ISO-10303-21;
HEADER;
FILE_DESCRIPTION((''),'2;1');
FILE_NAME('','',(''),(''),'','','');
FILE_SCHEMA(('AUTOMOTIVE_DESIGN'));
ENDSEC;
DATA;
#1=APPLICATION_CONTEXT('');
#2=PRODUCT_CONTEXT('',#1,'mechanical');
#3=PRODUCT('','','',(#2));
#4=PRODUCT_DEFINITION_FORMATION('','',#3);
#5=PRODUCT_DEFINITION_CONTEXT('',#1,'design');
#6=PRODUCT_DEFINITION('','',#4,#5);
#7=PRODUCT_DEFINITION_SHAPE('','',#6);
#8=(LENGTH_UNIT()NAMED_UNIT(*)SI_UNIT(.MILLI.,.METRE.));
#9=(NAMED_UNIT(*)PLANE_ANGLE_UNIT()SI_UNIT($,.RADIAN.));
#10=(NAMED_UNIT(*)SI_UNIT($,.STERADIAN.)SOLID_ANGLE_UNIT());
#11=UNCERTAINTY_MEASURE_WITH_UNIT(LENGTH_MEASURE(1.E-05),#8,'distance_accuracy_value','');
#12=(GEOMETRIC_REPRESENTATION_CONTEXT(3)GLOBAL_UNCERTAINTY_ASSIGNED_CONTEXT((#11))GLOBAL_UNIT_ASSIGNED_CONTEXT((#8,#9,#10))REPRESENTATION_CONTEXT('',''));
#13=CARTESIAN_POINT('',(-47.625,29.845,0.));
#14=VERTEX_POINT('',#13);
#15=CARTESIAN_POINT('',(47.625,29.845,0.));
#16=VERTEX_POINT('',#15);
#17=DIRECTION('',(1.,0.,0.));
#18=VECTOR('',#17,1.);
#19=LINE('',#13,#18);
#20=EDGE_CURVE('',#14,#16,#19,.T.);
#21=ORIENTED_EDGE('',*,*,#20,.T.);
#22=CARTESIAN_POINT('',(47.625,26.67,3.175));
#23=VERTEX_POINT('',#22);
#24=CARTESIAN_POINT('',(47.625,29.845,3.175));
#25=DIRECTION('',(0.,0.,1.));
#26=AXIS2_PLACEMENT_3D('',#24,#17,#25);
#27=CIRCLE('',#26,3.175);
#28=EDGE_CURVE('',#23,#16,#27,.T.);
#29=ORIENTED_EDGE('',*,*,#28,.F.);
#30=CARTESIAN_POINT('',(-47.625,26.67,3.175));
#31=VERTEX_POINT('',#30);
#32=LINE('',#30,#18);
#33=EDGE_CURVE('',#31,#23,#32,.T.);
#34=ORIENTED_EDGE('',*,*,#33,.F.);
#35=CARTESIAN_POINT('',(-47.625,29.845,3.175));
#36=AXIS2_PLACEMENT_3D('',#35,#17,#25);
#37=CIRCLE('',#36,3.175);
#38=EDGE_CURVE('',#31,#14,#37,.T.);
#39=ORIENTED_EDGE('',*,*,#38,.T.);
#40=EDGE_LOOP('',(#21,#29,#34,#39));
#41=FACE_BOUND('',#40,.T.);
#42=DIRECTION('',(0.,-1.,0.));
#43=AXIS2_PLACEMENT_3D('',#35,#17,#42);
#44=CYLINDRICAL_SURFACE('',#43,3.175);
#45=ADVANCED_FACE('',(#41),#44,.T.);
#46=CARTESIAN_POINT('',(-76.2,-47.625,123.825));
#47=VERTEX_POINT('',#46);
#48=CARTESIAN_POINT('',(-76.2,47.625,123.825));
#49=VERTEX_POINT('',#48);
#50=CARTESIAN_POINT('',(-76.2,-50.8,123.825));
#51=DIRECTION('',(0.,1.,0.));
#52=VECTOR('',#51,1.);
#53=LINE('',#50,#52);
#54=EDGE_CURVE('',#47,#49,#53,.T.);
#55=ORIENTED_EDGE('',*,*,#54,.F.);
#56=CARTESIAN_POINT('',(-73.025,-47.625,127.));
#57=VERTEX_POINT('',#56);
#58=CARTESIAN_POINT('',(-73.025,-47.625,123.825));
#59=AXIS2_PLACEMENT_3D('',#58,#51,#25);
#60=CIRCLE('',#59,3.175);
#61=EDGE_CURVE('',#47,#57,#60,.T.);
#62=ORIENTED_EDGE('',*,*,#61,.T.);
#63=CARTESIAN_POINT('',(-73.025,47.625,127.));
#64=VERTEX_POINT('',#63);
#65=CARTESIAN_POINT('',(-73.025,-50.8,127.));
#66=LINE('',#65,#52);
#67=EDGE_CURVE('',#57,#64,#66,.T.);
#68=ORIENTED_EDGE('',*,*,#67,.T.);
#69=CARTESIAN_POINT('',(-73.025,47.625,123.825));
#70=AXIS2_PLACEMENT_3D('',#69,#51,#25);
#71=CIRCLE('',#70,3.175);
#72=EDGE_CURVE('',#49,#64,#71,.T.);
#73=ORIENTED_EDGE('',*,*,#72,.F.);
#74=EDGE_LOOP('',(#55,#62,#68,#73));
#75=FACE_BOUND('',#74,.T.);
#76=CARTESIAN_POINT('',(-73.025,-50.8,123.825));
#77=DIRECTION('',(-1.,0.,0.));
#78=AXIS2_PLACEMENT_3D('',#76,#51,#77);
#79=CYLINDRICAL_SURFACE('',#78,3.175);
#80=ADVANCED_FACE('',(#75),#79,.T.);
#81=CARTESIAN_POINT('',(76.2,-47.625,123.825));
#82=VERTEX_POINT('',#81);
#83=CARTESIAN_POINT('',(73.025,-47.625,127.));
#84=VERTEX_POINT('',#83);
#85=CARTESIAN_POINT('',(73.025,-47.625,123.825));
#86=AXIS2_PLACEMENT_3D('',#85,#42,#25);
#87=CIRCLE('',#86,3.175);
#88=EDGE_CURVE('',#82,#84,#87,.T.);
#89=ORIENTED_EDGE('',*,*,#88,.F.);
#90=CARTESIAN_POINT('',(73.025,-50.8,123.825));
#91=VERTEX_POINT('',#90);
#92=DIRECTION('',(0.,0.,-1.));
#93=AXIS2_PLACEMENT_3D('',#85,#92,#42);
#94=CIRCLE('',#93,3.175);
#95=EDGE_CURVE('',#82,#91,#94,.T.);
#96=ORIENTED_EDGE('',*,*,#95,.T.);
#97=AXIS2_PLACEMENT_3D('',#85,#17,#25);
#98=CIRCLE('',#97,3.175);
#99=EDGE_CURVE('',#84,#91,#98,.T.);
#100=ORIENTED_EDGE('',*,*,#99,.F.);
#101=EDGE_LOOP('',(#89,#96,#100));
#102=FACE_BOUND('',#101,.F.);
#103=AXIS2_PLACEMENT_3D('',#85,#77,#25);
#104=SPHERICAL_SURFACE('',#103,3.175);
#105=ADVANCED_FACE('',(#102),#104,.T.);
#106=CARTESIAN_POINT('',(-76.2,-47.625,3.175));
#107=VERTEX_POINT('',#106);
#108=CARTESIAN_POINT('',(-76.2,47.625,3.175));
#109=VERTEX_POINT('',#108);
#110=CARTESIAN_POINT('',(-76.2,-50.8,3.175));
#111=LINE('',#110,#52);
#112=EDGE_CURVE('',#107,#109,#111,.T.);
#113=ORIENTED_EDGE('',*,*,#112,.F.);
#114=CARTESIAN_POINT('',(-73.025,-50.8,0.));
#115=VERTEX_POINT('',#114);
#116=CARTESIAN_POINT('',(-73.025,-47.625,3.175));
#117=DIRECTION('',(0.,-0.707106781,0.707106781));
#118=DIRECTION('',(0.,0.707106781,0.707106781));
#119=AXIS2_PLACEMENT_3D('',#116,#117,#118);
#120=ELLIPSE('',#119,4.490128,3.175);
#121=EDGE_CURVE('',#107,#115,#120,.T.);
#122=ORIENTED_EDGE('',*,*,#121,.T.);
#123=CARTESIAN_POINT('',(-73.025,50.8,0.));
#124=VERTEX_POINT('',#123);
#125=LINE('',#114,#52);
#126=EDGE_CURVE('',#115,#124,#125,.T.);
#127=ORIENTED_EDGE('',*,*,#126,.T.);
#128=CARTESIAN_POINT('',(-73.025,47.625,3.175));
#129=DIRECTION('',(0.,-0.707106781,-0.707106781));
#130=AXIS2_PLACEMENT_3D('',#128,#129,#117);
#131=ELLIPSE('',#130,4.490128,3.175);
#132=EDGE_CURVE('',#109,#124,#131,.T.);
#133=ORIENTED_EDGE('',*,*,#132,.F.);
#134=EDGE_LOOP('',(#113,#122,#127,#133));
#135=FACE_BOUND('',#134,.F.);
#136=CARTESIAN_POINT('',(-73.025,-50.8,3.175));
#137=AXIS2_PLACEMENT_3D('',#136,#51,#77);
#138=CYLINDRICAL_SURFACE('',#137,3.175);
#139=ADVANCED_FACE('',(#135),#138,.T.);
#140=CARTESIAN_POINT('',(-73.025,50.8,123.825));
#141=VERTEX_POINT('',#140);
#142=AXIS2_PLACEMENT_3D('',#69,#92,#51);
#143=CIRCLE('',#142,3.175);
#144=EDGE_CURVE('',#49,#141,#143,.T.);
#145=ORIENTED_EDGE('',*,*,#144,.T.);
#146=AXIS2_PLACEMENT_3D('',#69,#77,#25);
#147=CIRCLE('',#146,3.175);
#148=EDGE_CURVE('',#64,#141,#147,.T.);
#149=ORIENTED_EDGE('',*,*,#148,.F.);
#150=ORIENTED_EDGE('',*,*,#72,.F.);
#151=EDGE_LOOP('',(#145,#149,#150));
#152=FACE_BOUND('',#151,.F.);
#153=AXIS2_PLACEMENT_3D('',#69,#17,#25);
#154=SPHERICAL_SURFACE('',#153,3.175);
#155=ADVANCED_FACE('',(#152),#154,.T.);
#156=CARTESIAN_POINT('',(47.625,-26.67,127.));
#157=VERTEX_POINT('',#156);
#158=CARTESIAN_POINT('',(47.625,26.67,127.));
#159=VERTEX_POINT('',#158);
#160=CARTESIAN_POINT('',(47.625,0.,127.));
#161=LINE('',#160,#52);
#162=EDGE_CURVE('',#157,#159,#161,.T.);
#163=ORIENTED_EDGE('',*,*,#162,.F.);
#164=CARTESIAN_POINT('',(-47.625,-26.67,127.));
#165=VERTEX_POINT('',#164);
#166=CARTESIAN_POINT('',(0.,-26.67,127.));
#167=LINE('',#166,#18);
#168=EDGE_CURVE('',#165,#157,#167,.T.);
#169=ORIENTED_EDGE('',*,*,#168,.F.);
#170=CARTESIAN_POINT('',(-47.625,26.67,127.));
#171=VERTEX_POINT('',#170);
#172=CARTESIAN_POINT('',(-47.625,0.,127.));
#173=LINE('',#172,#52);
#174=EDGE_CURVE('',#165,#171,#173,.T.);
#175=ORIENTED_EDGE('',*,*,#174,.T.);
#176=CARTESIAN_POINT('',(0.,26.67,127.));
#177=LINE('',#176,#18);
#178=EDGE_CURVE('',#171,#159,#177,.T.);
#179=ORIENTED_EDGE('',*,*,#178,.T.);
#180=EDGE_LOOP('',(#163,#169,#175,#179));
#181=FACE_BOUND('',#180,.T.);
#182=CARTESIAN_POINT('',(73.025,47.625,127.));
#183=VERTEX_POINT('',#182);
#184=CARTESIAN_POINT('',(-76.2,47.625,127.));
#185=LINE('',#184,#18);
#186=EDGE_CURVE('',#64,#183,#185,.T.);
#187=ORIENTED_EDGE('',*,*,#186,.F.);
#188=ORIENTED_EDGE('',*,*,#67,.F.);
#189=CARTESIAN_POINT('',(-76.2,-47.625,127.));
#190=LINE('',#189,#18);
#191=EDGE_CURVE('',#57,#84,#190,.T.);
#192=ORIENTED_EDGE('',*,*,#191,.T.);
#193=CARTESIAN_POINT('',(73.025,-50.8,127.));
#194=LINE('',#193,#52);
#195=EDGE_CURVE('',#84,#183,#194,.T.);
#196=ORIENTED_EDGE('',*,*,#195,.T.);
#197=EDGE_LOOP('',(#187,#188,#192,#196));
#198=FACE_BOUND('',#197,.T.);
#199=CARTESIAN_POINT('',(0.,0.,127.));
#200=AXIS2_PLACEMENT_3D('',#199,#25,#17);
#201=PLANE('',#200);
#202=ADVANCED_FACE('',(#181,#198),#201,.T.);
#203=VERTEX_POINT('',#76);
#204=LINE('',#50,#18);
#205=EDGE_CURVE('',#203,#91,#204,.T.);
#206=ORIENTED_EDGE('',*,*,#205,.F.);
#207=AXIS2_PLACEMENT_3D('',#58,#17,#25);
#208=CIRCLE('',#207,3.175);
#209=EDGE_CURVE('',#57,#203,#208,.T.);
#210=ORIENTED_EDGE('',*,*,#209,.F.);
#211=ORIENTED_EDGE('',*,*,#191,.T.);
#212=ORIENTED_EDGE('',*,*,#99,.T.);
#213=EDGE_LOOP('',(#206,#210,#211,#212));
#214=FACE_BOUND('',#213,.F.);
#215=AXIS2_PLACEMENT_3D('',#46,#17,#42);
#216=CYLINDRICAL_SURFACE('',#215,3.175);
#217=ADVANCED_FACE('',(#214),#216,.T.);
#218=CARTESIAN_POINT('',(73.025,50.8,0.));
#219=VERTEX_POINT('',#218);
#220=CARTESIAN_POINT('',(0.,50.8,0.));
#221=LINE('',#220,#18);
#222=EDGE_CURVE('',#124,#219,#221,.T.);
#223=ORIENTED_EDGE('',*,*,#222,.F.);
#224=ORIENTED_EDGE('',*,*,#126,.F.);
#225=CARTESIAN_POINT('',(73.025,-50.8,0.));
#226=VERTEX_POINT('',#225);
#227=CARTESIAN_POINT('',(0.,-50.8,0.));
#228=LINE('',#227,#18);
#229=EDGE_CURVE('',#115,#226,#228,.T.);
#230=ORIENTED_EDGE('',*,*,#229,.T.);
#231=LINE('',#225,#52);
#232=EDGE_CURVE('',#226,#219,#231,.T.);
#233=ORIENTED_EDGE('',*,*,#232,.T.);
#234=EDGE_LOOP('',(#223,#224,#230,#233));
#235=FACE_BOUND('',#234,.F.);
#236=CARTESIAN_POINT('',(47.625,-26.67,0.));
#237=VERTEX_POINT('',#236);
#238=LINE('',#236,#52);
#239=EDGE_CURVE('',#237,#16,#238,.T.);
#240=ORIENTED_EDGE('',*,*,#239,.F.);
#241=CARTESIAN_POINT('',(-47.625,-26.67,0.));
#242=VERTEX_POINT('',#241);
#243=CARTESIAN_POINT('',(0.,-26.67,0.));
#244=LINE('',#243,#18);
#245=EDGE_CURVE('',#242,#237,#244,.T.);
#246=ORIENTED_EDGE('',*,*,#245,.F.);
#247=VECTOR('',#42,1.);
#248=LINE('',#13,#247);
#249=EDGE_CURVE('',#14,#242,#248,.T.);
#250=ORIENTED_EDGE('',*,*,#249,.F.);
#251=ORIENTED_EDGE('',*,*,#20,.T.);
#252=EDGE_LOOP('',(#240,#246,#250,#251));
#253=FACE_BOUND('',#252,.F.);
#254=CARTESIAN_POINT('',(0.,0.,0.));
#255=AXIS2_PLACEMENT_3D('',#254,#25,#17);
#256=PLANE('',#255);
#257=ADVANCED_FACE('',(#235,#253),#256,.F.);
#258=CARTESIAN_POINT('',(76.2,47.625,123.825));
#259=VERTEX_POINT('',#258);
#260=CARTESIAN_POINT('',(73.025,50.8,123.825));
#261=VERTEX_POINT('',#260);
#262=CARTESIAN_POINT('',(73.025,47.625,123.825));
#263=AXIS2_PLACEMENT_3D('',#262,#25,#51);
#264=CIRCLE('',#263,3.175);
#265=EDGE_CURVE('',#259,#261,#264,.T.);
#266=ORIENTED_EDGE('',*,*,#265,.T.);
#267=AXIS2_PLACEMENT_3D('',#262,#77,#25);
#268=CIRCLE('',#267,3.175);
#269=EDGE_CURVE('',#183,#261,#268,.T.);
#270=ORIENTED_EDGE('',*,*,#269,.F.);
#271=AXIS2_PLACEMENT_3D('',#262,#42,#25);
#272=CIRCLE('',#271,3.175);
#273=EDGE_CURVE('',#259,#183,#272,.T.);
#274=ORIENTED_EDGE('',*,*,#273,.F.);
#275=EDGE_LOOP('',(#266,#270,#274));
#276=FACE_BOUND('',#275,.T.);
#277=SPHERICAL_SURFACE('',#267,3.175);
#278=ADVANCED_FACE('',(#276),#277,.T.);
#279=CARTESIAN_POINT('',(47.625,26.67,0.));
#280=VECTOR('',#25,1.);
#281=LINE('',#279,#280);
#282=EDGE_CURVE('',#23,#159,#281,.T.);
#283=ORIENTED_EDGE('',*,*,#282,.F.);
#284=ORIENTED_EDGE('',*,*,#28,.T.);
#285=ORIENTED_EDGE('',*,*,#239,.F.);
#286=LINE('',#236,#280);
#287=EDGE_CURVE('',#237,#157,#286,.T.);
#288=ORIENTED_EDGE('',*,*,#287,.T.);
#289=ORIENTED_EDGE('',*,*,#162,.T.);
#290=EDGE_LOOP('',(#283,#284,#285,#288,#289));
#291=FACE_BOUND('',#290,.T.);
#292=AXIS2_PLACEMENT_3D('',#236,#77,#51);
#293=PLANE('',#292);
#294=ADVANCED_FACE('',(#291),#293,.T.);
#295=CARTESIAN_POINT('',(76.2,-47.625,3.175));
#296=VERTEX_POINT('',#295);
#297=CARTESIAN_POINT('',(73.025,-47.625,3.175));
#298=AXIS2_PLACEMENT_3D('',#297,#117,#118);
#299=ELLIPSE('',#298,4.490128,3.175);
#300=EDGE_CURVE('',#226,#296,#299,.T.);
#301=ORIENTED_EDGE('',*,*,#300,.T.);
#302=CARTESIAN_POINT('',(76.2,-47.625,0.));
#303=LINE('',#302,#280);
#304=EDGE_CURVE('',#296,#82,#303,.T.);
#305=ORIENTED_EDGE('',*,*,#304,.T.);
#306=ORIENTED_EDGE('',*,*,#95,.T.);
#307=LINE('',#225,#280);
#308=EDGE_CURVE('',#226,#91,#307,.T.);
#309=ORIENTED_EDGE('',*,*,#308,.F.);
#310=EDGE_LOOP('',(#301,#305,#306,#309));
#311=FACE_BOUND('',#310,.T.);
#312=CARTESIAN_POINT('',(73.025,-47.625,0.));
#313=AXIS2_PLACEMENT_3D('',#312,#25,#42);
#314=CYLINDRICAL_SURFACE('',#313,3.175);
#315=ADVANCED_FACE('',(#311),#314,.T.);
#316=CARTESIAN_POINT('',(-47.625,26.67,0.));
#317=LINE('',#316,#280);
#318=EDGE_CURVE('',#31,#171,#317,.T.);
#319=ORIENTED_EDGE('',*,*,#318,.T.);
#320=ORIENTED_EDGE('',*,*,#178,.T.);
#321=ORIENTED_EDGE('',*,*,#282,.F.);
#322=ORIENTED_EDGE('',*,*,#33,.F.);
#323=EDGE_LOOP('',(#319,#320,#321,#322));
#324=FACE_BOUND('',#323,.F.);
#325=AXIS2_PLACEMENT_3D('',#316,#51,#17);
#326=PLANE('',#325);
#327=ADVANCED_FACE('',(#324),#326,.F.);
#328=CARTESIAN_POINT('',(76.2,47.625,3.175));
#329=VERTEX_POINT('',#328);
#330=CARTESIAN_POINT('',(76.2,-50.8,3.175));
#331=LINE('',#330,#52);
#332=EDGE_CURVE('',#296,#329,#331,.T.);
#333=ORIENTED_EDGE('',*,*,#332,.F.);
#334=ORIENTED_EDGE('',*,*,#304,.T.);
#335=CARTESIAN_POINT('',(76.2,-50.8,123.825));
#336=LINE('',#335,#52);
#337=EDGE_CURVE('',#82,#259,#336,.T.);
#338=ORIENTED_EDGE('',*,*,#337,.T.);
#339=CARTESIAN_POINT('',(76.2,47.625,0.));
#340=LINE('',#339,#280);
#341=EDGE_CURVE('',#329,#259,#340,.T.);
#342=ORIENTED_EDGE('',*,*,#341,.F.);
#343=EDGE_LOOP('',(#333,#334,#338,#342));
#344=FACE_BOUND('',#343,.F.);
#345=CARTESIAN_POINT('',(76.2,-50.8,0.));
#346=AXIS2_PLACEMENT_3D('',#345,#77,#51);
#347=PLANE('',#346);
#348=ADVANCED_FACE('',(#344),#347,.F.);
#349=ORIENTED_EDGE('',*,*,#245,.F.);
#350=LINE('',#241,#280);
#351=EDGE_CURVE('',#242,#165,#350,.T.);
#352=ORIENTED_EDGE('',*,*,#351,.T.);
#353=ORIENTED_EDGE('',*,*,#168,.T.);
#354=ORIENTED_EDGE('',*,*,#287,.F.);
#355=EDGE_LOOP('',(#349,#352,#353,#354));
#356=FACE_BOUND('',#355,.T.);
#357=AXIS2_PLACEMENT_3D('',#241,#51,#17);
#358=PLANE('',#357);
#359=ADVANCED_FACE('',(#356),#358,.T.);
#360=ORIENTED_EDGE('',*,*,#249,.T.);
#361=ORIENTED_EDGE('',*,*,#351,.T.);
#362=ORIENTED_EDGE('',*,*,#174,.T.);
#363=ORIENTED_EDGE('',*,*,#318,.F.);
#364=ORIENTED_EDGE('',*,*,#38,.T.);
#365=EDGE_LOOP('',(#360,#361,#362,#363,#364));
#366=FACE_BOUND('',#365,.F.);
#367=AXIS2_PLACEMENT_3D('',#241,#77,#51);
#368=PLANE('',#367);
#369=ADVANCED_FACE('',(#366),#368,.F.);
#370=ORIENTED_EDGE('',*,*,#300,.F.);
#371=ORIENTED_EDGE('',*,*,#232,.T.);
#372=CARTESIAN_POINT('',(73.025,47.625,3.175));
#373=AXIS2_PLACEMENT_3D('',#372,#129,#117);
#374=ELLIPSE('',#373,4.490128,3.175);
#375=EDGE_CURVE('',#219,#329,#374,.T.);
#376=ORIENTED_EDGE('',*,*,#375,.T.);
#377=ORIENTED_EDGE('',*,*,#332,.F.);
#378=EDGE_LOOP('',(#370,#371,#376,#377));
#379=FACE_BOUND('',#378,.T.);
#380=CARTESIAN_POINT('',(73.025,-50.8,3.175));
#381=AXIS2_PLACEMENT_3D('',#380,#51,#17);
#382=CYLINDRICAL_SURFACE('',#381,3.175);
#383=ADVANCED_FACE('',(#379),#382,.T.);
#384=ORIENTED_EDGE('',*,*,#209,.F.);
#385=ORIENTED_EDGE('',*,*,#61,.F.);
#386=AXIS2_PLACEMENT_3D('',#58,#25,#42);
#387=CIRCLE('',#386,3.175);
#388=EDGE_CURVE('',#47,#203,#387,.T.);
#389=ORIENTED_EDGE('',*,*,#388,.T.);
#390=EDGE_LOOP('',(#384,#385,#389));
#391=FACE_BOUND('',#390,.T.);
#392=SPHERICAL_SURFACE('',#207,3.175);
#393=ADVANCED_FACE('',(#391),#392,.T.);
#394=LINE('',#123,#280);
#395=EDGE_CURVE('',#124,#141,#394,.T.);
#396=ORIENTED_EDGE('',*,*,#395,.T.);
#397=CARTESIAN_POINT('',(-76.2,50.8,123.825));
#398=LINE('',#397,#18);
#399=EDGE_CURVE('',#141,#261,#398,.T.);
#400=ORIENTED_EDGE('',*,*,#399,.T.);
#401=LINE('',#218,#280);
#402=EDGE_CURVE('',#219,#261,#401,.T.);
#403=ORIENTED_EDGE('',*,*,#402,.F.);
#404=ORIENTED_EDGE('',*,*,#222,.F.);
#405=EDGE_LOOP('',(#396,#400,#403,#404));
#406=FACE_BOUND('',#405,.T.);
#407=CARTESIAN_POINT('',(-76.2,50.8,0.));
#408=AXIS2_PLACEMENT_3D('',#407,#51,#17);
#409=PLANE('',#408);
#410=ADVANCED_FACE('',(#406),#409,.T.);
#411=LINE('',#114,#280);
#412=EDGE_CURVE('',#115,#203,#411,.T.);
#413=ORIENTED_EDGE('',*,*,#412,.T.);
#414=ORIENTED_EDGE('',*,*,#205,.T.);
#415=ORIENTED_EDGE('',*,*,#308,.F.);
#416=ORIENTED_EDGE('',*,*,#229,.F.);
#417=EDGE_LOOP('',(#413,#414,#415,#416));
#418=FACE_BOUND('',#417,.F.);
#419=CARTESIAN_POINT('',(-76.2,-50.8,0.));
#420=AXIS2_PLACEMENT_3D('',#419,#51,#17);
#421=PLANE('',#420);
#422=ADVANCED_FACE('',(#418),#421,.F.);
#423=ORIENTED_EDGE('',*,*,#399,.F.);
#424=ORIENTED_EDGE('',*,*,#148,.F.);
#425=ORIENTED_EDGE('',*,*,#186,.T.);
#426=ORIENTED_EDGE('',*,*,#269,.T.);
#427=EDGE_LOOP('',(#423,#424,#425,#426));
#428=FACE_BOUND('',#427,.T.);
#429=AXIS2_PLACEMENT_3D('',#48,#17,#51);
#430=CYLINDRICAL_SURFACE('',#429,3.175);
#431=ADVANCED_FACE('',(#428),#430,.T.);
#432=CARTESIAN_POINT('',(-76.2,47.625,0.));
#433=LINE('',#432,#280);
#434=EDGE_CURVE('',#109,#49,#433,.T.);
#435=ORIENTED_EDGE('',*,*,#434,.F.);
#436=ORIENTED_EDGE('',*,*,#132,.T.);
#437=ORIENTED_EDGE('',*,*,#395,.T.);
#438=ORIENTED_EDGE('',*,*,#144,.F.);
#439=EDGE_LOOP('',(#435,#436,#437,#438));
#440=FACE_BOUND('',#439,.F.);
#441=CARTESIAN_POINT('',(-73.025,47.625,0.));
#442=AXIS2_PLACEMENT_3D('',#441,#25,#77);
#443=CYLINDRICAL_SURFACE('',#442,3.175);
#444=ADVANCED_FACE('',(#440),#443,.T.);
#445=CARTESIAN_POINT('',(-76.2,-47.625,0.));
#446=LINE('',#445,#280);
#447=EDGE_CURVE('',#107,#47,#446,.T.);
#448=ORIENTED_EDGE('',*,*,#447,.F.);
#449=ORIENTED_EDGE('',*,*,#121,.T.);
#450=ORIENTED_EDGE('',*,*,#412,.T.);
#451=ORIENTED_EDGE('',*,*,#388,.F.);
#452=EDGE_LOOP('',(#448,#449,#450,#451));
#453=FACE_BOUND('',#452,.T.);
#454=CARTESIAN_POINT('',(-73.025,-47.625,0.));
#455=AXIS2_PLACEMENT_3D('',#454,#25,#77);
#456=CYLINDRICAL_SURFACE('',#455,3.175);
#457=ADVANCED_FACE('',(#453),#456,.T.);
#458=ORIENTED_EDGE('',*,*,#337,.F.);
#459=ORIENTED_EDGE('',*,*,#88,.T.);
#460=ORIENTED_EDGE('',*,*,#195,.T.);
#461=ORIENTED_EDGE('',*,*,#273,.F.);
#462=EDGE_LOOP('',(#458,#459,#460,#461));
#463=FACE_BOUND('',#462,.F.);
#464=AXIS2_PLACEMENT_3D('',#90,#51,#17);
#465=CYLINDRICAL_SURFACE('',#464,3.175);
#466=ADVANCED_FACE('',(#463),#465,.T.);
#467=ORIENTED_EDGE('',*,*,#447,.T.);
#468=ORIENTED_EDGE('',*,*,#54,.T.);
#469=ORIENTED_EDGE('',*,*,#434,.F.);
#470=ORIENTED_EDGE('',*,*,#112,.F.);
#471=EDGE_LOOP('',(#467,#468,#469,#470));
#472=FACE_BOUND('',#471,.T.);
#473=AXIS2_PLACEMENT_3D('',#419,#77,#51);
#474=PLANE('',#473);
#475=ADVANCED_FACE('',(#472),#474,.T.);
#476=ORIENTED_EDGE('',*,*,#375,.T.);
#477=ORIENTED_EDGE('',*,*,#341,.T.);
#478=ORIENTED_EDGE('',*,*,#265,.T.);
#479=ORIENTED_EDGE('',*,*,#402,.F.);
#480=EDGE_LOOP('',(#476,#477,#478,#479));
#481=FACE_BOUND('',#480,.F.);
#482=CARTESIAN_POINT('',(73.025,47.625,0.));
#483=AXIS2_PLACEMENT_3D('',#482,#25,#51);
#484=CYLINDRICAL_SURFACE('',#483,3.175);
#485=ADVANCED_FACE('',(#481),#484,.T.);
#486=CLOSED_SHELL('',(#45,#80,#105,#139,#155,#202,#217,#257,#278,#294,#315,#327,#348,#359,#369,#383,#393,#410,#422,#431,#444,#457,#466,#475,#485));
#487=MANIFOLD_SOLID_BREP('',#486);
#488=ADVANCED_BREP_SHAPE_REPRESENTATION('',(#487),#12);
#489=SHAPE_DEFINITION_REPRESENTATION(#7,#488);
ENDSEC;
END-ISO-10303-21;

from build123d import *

# Parameters (mm, degrees)
F0_W     = 152.4
F0_H     = 101.6
F0_W_2   = 95.25
F0_H_2   = 53.34
F1_DEPTH = 127
F2_R     = 3.175


with BuildPart() as f1:
    # F0 (on Top) → F1 (new body)
    with BuildSketch(Plane.XY):
        Rectangle(F0_W, F0_H)
        Rectangle(F0_W_2, F0_H_2, mode=Mode.SUBTRACT)
    extrude(amount=F1_DEPTH)

    # F2
    f2_edges = [f1.edges().sort_by_distance(p)[0] for p in [
        (0, 50.8, 127),
        (0, -50.8, 127),
        (-76.2, 0, 127),
        (76.2, 0, 127),
        (76.2, 50.8, 63.5),
        (76.2, -50.8, 63.5),
        (-76.2, -50.8, 63.5),
        (-76.2, 50.8, 63.5),
        (0, 26.67, 0),
        (76.2, 0, 0),
        (-76.2, 0, 0),
    ]]
    fillet(f2_edges, radius=F2_R)


solid = f1.part
